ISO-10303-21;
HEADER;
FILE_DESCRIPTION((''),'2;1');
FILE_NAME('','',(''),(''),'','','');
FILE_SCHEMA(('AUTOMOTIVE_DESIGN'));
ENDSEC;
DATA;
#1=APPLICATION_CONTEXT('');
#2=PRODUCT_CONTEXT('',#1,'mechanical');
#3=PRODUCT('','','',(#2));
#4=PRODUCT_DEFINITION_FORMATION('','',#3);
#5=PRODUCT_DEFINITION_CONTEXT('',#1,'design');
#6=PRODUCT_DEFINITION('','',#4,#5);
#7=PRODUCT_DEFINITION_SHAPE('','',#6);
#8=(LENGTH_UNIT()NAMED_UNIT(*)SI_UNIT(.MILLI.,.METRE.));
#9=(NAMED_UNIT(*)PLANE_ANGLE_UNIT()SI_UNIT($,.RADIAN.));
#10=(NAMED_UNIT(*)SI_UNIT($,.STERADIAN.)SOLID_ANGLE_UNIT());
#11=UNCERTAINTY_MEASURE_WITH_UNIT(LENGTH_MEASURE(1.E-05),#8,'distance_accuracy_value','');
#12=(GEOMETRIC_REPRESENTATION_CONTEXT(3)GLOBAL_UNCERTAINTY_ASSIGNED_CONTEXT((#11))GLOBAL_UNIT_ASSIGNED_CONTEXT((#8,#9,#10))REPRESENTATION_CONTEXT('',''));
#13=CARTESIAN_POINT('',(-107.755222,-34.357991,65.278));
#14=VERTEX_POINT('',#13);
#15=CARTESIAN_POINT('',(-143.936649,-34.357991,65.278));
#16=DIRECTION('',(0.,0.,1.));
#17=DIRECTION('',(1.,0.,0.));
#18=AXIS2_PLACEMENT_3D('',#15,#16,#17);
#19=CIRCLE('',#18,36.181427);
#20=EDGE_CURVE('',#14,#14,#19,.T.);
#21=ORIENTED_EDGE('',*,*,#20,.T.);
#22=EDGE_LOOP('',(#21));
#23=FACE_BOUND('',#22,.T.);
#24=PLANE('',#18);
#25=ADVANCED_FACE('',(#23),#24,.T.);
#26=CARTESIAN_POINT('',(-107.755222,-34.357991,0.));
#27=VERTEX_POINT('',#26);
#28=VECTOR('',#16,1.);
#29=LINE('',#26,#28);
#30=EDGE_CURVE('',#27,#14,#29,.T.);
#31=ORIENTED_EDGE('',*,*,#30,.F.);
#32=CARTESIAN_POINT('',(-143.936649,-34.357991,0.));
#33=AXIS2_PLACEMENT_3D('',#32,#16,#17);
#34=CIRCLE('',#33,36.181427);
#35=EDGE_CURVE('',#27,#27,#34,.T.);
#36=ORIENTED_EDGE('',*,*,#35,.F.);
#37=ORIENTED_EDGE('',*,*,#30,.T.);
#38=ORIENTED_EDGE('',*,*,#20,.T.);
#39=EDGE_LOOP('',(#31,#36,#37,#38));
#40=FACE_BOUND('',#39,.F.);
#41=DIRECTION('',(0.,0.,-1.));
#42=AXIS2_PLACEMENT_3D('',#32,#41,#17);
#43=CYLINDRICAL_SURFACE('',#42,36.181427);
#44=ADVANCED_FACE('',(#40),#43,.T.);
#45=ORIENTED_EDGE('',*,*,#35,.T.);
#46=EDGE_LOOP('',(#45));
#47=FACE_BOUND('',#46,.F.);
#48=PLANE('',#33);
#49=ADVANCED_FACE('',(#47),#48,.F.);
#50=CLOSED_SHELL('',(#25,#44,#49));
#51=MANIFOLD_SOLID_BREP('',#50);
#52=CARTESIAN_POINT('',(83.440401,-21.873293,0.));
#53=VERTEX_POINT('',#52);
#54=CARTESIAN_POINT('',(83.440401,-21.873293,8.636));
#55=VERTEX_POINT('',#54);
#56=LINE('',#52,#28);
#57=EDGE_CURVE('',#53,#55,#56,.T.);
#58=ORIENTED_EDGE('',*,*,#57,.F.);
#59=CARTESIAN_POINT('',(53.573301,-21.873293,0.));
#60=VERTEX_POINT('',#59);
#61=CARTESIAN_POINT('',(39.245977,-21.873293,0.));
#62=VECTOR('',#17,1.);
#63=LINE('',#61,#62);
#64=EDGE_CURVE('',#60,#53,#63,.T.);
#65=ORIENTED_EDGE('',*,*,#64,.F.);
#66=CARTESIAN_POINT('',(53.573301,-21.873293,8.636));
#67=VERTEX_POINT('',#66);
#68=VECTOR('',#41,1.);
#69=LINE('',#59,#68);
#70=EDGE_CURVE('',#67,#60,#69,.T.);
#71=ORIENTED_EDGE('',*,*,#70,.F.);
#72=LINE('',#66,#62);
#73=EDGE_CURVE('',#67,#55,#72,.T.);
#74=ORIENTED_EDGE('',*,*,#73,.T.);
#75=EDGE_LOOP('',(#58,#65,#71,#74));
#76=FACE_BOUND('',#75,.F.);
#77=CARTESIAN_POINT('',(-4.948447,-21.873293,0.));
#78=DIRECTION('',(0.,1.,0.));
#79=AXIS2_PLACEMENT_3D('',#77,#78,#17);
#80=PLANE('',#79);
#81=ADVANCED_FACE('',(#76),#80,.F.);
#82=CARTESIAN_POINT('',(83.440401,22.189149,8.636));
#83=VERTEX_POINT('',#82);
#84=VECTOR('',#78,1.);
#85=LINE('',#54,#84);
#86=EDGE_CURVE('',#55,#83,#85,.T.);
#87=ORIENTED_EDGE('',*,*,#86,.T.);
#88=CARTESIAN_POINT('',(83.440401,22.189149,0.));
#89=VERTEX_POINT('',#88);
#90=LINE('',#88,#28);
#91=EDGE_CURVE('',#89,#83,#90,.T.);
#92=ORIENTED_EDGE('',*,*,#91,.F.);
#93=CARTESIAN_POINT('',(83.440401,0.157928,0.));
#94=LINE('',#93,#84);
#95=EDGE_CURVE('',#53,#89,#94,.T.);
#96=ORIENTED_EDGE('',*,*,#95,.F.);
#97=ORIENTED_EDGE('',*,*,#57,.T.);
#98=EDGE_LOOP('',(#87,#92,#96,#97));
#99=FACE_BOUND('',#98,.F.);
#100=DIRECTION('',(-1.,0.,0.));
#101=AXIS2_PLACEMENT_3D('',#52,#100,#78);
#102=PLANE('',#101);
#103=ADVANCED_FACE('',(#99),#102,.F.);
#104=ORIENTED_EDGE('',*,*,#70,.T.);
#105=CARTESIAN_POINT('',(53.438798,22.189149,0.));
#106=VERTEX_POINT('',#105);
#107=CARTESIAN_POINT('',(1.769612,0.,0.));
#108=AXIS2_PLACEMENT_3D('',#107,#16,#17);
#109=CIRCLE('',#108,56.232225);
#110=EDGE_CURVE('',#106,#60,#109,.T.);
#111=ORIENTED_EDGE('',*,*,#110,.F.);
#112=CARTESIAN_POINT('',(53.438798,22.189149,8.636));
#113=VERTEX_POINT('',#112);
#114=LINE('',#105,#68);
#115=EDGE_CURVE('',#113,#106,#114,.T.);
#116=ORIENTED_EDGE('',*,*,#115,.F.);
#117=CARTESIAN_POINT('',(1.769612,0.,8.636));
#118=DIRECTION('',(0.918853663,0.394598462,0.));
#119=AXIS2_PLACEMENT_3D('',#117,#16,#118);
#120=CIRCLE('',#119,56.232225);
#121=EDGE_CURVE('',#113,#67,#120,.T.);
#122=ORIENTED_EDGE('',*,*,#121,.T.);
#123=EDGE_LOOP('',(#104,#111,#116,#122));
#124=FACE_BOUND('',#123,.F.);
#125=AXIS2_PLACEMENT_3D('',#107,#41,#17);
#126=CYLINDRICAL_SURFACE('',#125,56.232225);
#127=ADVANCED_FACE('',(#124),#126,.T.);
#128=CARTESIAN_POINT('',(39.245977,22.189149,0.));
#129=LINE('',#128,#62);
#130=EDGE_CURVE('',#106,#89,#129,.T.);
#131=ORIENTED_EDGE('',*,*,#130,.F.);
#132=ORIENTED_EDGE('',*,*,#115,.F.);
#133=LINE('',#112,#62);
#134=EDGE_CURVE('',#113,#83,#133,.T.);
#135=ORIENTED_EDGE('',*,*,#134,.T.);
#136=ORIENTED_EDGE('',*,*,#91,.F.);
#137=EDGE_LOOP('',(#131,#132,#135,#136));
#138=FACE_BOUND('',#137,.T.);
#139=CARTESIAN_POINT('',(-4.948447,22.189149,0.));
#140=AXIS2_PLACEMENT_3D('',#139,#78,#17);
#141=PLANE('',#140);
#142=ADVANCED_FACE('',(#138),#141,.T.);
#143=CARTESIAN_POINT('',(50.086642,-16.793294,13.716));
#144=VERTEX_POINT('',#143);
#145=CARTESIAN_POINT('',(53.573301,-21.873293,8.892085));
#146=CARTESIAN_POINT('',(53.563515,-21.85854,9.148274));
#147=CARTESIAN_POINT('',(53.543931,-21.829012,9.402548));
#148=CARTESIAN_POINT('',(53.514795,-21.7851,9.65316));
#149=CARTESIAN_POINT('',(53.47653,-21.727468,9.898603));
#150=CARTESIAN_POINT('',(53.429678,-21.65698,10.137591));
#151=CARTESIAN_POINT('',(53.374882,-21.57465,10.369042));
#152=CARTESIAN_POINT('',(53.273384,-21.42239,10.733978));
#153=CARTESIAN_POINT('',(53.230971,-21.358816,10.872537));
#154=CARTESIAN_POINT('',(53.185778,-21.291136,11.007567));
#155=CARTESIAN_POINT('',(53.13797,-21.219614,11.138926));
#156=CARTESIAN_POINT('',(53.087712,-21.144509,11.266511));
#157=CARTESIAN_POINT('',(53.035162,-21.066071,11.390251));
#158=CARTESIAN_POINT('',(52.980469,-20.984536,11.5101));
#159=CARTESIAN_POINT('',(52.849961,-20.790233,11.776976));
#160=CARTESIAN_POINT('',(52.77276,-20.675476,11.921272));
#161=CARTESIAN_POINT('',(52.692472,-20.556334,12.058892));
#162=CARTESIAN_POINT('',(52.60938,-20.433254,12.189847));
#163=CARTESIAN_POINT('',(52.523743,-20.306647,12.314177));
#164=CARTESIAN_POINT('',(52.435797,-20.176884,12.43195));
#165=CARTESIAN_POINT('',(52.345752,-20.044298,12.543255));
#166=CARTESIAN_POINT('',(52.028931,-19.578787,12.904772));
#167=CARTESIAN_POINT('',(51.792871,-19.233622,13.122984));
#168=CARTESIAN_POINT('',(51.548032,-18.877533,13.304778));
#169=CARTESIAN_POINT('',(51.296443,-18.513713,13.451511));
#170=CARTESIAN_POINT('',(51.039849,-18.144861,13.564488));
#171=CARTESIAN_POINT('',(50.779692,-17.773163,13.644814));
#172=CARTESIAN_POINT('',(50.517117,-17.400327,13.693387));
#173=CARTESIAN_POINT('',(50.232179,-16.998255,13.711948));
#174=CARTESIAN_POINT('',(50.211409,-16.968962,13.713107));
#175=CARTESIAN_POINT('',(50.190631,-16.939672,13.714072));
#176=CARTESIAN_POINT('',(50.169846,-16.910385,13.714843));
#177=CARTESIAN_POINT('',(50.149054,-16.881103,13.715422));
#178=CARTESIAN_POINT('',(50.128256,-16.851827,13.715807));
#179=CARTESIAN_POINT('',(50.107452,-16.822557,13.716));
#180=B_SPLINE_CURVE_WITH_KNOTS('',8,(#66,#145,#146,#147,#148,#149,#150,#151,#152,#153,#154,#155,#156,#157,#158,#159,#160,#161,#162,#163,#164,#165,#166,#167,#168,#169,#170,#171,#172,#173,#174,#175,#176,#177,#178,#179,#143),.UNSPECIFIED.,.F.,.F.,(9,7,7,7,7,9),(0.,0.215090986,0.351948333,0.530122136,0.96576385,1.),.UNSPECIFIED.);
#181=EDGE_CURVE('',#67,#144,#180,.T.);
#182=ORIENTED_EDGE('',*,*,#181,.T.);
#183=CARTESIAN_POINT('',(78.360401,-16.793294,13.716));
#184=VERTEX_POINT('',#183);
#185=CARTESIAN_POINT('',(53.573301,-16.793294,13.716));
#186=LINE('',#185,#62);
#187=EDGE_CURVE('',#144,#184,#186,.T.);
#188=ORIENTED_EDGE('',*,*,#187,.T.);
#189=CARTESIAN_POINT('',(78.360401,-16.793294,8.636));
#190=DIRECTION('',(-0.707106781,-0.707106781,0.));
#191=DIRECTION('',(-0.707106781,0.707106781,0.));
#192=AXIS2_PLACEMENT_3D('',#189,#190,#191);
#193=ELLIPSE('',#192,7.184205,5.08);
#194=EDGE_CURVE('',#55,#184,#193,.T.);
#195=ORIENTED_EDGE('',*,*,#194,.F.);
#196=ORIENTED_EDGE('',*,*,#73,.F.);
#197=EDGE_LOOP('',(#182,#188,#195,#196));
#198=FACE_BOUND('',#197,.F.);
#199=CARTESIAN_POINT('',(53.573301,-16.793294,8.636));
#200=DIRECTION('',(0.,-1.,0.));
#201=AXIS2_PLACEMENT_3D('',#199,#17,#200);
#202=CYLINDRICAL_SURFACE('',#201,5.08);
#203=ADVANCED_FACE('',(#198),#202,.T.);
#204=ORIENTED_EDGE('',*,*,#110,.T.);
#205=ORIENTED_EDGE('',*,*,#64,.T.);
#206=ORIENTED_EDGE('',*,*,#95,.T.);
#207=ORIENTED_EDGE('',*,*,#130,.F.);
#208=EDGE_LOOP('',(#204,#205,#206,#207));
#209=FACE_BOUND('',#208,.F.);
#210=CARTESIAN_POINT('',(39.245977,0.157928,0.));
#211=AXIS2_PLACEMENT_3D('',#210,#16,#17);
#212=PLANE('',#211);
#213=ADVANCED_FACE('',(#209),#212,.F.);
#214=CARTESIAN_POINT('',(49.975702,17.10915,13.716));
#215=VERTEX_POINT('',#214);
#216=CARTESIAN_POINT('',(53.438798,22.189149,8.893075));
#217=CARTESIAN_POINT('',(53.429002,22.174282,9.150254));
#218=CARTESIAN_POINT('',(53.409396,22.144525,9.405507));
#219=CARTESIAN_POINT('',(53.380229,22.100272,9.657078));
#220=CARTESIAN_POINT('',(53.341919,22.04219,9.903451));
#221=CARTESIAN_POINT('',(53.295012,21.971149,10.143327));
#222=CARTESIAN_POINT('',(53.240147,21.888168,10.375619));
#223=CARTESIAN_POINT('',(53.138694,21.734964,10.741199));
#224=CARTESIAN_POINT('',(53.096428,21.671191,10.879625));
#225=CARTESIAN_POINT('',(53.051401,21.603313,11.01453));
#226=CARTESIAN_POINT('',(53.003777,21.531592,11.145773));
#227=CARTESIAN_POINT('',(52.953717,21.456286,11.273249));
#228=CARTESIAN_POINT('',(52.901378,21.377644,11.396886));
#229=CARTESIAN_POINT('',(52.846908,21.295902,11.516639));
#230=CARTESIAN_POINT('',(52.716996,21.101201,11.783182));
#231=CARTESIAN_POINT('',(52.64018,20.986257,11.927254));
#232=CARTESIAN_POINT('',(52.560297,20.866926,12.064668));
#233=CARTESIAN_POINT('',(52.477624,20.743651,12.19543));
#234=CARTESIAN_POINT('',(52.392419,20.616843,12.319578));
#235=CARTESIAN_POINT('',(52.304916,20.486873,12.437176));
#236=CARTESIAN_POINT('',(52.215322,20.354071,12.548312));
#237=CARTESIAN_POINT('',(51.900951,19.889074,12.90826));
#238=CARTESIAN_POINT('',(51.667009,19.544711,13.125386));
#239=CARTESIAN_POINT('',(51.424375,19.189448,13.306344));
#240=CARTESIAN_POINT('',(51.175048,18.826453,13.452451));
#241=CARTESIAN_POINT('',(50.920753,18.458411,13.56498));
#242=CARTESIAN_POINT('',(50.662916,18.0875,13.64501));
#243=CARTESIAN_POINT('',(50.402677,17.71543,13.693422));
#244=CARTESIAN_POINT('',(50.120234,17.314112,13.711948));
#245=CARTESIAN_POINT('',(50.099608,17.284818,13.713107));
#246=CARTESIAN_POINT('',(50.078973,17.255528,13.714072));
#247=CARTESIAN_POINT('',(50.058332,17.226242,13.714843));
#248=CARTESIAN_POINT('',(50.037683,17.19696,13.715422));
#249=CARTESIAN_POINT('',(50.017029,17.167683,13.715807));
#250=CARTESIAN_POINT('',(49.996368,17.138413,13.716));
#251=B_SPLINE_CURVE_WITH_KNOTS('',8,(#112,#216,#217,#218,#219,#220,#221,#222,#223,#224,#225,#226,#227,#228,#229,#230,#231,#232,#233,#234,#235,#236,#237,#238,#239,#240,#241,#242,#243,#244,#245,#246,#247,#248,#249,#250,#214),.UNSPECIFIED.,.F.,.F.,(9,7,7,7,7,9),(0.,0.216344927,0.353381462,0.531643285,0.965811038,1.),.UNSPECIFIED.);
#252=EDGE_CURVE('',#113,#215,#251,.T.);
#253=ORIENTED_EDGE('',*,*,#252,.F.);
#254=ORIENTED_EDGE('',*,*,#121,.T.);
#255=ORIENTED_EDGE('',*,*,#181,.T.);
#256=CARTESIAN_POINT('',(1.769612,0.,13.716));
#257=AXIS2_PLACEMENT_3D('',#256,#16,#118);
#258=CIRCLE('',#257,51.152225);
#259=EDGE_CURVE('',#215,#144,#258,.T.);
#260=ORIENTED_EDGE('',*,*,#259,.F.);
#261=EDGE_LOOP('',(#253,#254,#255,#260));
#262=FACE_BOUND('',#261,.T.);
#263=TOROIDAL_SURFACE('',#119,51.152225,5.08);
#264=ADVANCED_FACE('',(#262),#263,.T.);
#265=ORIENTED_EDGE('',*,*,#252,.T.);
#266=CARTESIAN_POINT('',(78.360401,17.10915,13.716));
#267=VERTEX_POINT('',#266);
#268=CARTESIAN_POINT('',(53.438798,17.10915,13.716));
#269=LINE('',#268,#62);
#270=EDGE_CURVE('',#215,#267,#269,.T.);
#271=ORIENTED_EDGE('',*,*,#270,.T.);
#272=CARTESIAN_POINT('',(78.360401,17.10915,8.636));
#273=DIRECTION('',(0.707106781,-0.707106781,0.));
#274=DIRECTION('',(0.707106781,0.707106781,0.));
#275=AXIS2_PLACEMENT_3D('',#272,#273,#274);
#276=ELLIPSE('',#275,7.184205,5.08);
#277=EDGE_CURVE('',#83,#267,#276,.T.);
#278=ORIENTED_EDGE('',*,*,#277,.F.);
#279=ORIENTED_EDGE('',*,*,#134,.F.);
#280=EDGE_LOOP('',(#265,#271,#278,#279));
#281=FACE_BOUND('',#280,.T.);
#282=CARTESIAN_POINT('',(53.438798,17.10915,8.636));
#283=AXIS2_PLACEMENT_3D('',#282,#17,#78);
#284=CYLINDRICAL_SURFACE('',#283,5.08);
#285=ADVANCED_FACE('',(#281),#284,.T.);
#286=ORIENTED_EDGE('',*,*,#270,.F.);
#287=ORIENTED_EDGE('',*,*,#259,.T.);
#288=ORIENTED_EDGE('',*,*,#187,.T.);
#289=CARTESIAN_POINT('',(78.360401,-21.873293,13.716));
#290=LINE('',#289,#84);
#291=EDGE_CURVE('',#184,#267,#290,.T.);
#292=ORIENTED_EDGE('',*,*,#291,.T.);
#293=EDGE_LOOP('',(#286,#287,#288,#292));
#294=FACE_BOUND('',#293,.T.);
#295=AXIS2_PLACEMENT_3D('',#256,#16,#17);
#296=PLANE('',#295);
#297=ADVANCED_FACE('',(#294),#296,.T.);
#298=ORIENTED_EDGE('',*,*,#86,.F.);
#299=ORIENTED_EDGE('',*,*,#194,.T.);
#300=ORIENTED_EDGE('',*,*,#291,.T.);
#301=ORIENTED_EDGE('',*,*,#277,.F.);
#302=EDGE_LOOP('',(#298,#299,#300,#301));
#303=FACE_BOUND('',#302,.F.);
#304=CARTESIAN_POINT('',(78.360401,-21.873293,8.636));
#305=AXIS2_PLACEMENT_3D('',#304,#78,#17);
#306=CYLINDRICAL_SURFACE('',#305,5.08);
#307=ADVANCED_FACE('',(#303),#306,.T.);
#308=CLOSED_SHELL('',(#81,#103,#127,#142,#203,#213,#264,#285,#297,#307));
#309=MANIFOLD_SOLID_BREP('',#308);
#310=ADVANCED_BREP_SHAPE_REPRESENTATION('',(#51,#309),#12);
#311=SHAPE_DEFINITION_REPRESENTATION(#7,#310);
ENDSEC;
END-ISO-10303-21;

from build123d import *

# Parameters (mm, degrees)
F0_R     = 56.232225
F1_W     = 88.388848
F1_H     = 44.062443
F2_DEPTH = 13.716
F3_R     = 5.08
F4_R     = 36.181427
F5_DEPTH = 65.278


with BuildPart() as f2:
    # F0 (on Top) + F1 (on Top) → F2 (new body)
    with BuildSketch(Plane.XY):
        with Locations((1.769612, 0)):
            Circle(F0_R)
    with BuildSketch(Plane.XY):
        with Locations((39.245977, 0.157928)):
            Rectangle(F1_W, F1_H)
    extrude(amount=F2_DEPTH)

    # F3
    f3_edges = [f2.edges().sort_by_distance(p)[0] for p in [
        (83.440401, 0.157928, 13.716),
        (68.439599, 22.18915, 13.716),
        (-54.462351, -0.171651, 13.716),
        (68.50685, -21.873293, 13.716),
    ]]
    fillet(f3_edges, radius=F3_R)


with BuildPart() as f5:
    # F4 (on Top) → F5 (new body)
    with BuildSketch(Plane.XY):
        with Locations((-143.936649, -34.357991)):
            Circle(F4_R)
    extrude(amount=F5_DEPTH)


solid = Compound([f2.part, f5.part])
